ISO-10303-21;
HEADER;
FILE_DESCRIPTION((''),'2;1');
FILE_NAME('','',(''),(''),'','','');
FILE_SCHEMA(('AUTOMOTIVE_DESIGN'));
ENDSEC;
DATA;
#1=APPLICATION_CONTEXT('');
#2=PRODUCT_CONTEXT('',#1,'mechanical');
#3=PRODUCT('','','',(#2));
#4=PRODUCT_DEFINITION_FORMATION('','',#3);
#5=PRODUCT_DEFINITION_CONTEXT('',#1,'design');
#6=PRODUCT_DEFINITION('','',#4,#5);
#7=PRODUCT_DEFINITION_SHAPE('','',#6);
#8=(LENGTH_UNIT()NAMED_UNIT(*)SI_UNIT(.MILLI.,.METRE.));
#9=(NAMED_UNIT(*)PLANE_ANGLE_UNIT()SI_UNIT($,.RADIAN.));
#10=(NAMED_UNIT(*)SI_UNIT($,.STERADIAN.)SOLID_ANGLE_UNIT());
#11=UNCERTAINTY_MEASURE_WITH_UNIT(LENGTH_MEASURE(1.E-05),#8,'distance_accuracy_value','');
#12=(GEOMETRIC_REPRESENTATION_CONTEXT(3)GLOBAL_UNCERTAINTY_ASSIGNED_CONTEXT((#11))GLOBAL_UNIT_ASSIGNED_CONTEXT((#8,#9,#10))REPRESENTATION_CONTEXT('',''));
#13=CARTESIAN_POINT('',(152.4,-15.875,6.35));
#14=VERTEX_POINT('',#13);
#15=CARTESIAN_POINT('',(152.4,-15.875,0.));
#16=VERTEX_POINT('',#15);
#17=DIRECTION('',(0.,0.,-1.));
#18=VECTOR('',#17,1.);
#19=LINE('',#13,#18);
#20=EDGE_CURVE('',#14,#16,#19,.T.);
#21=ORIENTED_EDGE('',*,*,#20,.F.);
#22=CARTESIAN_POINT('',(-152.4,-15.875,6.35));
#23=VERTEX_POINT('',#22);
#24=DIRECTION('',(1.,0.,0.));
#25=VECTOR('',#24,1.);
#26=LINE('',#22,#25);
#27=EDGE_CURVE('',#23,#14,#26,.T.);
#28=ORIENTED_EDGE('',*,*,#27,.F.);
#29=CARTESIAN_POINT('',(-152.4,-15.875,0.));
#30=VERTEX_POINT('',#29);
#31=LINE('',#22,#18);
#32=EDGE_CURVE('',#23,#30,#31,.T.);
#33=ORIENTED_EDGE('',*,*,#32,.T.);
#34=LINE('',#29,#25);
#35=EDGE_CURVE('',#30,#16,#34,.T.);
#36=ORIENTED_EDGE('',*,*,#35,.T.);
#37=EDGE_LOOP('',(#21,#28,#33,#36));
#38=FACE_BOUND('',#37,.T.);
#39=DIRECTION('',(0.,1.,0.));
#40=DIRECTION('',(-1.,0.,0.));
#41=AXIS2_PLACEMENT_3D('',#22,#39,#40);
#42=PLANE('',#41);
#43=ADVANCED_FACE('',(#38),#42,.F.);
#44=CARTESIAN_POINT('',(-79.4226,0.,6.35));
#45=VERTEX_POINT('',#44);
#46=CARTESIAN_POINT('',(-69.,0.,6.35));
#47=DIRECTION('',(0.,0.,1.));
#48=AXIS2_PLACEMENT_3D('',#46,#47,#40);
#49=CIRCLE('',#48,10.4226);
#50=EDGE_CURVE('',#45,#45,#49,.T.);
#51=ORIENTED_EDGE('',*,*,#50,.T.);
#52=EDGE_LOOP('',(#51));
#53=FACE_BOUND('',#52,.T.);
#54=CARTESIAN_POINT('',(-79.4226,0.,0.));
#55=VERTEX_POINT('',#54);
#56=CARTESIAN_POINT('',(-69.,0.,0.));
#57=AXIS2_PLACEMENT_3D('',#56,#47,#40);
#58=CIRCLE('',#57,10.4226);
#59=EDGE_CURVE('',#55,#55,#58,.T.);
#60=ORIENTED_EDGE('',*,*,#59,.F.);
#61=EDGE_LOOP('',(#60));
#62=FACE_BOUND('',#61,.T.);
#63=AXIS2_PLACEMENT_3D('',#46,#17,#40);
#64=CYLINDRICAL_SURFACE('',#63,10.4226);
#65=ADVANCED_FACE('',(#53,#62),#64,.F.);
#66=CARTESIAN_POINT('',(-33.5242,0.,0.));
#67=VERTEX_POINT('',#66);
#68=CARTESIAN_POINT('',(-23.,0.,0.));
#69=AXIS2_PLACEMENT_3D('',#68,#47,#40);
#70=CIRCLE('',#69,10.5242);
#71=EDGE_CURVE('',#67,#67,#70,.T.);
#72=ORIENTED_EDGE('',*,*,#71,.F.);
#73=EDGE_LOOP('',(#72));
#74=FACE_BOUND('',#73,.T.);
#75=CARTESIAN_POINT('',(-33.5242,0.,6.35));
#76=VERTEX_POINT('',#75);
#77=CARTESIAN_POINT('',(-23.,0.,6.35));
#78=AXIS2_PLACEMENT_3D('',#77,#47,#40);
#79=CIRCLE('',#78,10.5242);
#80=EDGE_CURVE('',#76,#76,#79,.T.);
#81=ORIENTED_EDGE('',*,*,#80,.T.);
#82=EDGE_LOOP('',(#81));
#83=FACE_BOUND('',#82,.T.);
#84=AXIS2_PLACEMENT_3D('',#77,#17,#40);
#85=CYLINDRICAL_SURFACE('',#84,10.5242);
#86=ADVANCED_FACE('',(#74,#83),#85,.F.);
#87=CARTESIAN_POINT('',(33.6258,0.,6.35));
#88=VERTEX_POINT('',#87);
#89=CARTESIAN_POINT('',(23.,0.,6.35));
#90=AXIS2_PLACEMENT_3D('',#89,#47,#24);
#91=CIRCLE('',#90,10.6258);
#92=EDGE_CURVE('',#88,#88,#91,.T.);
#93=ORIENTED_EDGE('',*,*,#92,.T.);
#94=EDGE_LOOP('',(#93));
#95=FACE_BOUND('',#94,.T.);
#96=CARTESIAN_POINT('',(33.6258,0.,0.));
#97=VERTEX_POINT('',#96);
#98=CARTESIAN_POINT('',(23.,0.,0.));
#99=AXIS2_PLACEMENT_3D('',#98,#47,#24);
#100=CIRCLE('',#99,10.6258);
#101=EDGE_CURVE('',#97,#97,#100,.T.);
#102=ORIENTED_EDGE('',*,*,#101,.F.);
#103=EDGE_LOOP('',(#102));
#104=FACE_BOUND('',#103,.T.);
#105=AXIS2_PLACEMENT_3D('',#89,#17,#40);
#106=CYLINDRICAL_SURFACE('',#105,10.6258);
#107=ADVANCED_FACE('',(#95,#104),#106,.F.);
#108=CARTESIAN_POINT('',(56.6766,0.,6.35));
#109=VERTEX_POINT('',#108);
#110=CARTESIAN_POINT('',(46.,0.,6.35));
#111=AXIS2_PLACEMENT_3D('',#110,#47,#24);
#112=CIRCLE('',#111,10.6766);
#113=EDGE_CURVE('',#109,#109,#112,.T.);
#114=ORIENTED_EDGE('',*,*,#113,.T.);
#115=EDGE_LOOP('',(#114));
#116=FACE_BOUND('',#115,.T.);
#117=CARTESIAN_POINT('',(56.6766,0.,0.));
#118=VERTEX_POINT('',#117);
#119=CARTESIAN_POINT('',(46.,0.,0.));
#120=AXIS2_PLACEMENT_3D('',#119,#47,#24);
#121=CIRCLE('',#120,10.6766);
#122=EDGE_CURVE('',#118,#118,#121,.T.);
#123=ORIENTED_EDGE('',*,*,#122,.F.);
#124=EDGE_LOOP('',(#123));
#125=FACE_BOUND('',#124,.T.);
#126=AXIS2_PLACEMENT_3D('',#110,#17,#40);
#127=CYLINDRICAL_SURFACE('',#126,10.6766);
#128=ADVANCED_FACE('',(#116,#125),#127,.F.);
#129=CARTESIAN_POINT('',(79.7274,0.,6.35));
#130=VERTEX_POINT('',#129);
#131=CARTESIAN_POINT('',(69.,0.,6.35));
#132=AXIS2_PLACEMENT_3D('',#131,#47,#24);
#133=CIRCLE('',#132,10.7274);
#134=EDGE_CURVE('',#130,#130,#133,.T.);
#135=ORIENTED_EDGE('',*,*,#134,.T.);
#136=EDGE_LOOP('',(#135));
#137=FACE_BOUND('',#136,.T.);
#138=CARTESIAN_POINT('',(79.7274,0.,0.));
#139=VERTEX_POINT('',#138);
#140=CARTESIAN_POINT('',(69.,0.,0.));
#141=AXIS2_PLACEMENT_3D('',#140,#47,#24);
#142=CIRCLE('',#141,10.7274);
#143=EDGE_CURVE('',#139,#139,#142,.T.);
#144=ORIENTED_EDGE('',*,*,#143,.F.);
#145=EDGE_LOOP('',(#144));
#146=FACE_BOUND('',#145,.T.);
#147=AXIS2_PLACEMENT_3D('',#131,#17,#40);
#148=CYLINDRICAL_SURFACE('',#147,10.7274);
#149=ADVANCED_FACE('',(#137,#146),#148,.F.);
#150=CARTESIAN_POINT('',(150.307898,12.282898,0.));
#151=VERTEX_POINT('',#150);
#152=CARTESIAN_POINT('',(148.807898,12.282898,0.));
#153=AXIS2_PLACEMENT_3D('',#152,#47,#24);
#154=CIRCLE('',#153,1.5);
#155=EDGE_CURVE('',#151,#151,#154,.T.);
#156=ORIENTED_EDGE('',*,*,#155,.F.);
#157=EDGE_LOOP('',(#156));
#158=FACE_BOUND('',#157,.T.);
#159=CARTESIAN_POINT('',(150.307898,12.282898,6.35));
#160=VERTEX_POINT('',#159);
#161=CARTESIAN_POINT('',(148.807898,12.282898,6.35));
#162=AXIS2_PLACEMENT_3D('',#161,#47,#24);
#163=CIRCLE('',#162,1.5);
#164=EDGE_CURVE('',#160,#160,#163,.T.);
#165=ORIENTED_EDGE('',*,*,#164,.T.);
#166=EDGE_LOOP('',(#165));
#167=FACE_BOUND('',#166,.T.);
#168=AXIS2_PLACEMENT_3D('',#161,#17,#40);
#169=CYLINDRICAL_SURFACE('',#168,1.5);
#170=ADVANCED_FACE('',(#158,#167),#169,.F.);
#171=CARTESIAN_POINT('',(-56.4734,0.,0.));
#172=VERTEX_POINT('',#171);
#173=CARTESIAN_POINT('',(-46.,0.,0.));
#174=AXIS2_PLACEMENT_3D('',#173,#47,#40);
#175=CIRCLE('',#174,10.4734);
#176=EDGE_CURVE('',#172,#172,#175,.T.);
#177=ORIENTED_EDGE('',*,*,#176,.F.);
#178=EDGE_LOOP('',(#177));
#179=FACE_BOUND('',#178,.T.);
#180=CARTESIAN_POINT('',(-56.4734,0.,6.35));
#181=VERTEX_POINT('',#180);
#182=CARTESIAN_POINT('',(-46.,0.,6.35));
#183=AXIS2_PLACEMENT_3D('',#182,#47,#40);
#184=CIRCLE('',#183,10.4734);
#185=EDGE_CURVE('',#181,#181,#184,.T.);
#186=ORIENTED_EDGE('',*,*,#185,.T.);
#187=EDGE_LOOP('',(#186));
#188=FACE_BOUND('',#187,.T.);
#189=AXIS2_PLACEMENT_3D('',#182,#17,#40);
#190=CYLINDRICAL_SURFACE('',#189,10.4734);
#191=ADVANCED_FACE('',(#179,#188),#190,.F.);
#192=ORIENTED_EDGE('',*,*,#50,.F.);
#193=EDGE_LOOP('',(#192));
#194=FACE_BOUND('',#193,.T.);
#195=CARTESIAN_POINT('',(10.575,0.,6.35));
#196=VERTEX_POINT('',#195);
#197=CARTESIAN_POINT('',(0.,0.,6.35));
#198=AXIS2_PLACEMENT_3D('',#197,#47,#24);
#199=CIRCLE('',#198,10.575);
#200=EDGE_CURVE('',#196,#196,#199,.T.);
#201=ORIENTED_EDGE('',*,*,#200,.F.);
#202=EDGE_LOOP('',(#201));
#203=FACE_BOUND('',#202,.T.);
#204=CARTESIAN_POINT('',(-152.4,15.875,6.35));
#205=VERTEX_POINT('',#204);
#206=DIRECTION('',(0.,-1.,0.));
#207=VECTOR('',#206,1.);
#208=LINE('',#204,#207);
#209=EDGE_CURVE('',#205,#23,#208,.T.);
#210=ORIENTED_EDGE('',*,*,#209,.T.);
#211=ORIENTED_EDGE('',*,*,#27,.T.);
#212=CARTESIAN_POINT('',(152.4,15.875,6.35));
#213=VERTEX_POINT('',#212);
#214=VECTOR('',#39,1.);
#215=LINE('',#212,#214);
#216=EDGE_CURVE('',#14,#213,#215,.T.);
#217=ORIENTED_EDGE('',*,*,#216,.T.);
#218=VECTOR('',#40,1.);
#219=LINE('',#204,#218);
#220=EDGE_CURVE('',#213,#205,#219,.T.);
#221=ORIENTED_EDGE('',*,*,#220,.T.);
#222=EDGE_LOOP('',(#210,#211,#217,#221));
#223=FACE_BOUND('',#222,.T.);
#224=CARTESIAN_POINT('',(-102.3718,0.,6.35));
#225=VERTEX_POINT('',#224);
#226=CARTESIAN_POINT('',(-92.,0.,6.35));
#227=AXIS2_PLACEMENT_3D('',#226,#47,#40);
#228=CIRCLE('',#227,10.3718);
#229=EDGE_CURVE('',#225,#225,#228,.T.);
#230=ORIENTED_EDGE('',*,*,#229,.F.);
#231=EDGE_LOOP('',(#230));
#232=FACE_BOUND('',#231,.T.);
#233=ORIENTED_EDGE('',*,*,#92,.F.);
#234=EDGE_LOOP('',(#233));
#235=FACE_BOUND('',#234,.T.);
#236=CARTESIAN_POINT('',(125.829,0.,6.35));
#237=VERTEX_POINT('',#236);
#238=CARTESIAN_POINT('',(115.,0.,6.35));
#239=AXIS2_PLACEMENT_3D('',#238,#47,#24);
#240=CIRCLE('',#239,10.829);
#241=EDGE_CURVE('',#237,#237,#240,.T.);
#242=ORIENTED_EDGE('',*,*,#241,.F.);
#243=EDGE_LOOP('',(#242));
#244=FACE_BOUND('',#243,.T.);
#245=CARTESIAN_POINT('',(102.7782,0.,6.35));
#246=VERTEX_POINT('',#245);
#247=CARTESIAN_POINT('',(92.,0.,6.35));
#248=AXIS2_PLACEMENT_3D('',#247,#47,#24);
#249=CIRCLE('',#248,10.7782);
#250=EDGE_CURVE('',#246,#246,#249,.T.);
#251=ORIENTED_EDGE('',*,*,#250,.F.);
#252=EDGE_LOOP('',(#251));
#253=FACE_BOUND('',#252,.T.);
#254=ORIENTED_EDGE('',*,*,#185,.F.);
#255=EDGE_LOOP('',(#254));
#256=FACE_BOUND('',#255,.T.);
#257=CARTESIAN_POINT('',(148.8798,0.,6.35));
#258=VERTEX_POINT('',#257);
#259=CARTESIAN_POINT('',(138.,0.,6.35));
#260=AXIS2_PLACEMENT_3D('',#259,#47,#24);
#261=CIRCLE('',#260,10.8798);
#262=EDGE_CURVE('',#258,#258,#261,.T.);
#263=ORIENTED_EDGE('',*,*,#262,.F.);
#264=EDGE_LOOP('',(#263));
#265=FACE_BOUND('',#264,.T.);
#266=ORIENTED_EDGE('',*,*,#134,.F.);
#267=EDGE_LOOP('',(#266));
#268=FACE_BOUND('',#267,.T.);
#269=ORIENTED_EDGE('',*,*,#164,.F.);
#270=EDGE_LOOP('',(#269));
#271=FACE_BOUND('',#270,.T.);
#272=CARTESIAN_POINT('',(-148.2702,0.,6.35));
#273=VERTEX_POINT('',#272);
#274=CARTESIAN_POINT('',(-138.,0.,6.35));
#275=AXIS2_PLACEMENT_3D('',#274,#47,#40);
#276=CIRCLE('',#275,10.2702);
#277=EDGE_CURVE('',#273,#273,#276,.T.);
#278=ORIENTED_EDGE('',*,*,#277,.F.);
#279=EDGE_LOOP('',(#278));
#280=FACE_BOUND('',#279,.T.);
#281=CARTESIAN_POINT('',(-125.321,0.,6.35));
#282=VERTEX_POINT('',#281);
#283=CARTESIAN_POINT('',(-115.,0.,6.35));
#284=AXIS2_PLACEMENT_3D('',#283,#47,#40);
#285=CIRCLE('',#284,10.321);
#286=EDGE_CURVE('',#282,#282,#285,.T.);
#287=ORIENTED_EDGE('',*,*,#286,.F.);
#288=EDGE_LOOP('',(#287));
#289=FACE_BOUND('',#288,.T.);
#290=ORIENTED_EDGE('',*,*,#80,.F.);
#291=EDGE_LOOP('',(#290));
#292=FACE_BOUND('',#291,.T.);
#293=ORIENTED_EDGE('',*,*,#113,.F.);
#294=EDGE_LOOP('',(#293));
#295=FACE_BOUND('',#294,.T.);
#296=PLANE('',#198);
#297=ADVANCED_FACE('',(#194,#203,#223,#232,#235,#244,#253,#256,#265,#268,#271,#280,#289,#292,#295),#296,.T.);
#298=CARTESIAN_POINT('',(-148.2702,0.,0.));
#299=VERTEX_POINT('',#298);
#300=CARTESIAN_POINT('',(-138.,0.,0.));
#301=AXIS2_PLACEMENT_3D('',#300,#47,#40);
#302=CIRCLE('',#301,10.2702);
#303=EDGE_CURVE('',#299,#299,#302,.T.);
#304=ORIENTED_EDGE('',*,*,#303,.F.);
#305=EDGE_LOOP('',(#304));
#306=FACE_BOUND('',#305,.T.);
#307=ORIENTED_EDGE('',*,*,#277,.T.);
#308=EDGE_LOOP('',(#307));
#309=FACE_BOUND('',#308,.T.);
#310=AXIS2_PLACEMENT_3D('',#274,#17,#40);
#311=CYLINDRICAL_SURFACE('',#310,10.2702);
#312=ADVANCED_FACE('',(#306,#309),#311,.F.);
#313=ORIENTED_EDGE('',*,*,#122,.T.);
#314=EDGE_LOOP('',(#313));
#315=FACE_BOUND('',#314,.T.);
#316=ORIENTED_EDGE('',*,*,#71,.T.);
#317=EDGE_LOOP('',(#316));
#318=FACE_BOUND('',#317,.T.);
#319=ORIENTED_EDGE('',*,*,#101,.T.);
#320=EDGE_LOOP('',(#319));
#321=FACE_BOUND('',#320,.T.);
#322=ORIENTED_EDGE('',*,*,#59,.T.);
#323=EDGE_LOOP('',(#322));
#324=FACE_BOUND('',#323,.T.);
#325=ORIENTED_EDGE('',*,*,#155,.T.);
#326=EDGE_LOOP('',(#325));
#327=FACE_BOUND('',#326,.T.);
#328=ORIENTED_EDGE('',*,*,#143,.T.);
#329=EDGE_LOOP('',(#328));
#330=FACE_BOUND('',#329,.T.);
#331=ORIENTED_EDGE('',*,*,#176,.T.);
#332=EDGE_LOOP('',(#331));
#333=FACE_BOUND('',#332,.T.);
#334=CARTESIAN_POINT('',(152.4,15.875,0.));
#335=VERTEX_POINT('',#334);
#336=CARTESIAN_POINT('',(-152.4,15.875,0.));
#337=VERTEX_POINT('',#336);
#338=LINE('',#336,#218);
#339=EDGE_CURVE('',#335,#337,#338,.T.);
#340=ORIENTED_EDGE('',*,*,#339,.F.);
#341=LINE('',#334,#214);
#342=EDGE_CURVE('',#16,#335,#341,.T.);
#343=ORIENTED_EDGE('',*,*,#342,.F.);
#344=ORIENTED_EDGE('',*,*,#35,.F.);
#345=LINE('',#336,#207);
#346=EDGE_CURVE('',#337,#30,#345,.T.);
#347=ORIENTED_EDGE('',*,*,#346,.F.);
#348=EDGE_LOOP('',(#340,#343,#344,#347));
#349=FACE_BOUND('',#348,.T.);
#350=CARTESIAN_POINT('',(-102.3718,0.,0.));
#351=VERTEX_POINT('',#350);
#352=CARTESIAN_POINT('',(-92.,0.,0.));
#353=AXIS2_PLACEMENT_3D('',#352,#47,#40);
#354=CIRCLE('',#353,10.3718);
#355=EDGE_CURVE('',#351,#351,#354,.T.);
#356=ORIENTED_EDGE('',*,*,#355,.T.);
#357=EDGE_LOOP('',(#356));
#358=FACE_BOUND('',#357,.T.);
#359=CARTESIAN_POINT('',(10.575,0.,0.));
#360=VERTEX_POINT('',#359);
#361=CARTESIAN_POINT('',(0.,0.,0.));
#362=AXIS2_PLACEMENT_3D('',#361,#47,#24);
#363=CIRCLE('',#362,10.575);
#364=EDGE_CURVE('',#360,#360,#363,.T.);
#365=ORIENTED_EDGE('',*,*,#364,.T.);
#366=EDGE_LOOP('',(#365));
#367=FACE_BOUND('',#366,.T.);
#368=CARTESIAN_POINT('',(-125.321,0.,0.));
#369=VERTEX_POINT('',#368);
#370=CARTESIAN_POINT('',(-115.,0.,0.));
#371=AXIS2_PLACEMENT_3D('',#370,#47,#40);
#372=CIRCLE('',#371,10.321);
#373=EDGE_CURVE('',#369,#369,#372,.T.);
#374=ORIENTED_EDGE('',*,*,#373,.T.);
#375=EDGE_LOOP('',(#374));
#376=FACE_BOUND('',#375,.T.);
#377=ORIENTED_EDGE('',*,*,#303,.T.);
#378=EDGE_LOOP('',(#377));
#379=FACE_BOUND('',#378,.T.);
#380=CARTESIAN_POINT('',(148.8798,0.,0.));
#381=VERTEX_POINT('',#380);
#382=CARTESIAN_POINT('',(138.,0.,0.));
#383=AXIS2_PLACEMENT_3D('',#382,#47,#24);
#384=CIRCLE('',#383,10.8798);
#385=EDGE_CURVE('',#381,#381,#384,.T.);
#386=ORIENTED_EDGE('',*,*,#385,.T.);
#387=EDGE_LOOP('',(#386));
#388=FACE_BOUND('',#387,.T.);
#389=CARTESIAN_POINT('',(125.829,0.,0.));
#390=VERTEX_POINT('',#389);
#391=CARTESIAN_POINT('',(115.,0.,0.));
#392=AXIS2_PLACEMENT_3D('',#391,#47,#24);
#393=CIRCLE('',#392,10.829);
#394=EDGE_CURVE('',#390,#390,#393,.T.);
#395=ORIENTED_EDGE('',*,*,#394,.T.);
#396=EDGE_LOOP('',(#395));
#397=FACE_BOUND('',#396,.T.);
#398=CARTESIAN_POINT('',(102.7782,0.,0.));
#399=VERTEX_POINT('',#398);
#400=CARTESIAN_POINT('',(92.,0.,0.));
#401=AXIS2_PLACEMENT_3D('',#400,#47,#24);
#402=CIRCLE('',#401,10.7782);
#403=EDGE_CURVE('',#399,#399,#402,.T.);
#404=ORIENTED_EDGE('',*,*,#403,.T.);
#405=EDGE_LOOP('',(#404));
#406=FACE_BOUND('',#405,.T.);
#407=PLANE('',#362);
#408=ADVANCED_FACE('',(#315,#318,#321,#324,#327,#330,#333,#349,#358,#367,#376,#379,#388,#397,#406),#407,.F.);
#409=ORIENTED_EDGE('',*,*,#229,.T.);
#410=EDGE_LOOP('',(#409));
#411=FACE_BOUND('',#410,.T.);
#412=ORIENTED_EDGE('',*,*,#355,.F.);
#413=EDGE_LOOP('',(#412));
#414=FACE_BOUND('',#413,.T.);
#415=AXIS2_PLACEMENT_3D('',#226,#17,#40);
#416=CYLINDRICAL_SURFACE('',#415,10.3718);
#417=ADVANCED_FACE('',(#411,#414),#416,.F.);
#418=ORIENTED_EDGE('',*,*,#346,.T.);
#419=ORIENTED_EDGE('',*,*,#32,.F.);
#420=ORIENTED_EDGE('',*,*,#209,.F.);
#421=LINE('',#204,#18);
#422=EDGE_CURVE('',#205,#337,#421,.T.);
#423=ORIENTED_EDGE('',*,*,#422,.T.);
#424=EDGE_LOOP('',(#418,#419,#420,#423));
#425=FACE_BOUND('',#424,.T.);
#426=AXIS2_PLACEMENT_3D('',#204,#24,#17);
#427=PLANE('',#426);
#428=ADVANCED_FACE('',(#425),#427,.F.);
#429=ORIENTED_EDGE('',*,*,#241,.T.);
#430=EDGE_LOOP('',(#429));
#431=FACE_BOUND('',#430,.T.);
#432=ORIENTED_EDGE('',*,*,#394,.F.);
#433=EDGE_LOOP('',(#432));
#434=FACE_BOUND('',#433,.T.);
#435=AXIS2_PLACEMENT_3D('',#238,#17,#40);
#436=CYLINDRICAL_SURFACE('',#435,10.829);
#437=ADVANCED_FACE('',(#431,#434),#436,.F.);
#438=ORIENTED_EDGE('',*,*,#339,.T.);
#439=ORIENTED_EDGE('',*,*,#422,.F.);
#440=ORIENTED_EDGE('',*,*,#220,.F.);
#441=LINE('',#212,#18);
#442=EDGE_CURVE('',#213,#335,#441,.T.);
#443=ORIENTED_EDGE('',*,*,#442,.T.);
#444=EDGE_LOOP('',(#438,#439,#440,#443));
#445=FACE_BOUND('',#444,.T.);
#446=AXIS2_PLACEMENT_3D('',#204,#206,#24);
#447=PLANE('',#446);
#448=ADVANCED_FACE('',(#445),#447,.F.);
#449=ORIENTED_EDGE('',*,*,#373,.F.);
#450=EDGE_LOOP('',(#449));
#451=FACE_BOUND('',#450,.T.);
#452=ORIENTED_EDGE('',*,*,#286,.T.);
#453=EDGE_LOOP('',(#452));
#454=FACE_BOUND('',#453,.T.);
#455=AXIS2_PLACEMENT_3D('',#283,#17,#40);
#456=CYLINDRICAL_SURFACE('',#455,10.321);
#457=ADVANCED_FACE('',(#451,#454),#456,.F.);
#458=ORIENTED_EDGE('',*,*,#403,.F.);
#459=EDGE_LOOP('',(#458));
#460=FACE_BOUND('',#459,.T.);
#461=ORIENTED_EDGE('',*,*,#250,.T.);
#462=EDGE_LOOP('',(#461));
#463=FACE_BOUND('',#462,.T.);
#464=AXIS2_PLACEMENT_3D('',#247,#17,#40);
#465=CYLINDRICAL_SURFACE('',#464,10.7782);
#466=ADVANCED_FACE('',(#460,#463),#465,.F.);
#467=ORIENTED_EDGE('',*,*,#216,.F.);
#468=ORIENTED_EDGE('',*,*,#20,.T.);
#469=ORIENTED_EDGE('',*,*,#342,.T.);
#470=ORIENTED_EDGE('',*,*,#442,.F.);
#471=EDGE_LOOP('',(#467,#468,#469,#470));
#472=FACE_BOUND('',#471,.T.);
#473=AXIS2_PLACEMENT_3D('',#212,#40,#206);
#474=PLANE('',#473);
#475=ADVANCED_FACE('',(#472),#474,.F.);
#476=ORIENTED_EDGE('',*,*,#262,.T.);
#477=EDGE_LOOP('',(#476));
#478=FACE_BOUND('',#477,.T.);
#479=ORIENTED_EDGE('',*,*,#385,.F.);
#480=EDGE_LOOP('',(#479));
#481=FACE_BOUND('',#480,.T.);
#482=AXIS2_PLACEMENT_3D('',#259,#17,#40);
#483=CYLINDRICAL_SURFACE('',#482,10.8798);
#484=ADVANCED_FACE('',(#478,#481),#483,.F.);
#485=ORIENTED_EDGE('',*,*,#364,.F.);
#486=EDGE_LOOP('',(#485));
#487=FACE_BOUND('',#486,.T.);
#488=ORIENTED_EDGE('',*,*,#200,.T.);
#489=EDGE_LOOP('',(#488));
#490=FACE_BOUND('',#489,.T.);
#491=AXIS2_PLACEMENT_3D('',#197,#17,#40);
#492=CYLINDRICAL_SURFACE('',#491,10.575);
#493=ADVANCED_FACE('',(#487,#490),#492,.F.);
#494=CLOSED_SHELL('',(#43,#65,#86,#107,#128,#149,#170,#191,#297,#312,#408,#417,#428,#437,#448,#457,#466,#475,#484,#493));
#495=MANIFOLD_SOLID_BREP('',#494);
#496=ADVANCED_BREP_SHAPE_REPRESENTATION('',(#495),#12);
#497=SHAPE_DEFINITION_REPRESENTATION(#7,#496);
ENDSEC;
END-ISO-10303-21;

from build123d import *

# Parameters (mm, degrees)
SKETCH1_W           = 304.8
SKETCH1_H           = 31.75
SKETCH1_R           = 10.575
SKETCH1_R_2         = 10.6258
SKETCH1_R_3         = 10.6766
SKETCH1_R_4         = 10.7274
SKETCH1_R_5         = 10.7782
SKETCH1_R_6         = 10.829
SKETCH1_R_7         = 10.8798
SKETCH1_R_8         = 10.2702
SKETCH1_R_9         = 10.321
SKETCH1_R_10        = 10.3718
SKETCH1_R_11        = 10.4226
SKETCH1_R_12        = 10.4734
SKETCH1_R_13        = 10.5242
SKETCH1_R_14        = 1.5
BOSS_EXTRUDE1_DEPTH = 6.35


with BuildPart() as part:
    # Sketch1 → Boss-Extrude1 (new body)
    with BuildSketch(Plane.XY):
        Rectangle(SKETCH1_W, SKETCH1_H)
        Circle(SKETCH1_R, mode=Mode.SUBTRACT)
        with Locations((23, 0)):
            Circle(SKETCH1_R_2, mode=Mode.SUBTRACT)
        with Locations((46, 0)):
            Circle(SKETCH1_R_3, mode=Mode.SUBTRACT)
        with Locations((69, 0)):
            Circle(SKETCH1_R_4, mode=Mode.SUBTRACT)
        with Locations((92, 0)):
            Circle(SKETCH1_R_5, mode=Mode.SUBTRACT)
        with Locations((115, 0)):
            Circle(SKETCH1_R_6, mode=Mode.SUBTRACT)
        with Locations((138, 0)):
            Circle(SKETCH1_R_7, mode=Mode.SUBTRACT)
        with Locations(Location((-138, 0, 0), (0, 0, 180))):
            Circle(SKETCH1_R_8, mode=Mode.SUBTRACT)
        with Locations(Location((-115, 0, 0), (0, 0, 180))):
            Circle(SKETCH1_R_9, mode=Mode.SUBTRACT)
        with Locations(Location((-92, 0, 0), (0, 0, 180))):
            Circle(SKETCH1_R_10, mode=Mode.SUBTRACT)
        with Locations(Location((-69, 0, 0), (0, 0, 180))):
            Circle(SKETCH1_R_11, mode=Mode.SUBTRACT)
        with Locations(Location((-46, 0, 0), (0, 0, 180))):
            Circle(SKETCH1_R_12, mode=Mode.SUBTRACT)
        with Locations(Location((-23, 0, 0), (0, 0, 180))):
            Circle(SKETCH1_R_13, mode=Mode.SUBTRACT)
        with Locations((148.807897552, 12.282897552)):
            Circle(SKETCH1_R_14, mode=Mode.SUBTRACT)
    extrude(amount=BOSS_EXTRUDE1_DEPTH)


solid = part.part
